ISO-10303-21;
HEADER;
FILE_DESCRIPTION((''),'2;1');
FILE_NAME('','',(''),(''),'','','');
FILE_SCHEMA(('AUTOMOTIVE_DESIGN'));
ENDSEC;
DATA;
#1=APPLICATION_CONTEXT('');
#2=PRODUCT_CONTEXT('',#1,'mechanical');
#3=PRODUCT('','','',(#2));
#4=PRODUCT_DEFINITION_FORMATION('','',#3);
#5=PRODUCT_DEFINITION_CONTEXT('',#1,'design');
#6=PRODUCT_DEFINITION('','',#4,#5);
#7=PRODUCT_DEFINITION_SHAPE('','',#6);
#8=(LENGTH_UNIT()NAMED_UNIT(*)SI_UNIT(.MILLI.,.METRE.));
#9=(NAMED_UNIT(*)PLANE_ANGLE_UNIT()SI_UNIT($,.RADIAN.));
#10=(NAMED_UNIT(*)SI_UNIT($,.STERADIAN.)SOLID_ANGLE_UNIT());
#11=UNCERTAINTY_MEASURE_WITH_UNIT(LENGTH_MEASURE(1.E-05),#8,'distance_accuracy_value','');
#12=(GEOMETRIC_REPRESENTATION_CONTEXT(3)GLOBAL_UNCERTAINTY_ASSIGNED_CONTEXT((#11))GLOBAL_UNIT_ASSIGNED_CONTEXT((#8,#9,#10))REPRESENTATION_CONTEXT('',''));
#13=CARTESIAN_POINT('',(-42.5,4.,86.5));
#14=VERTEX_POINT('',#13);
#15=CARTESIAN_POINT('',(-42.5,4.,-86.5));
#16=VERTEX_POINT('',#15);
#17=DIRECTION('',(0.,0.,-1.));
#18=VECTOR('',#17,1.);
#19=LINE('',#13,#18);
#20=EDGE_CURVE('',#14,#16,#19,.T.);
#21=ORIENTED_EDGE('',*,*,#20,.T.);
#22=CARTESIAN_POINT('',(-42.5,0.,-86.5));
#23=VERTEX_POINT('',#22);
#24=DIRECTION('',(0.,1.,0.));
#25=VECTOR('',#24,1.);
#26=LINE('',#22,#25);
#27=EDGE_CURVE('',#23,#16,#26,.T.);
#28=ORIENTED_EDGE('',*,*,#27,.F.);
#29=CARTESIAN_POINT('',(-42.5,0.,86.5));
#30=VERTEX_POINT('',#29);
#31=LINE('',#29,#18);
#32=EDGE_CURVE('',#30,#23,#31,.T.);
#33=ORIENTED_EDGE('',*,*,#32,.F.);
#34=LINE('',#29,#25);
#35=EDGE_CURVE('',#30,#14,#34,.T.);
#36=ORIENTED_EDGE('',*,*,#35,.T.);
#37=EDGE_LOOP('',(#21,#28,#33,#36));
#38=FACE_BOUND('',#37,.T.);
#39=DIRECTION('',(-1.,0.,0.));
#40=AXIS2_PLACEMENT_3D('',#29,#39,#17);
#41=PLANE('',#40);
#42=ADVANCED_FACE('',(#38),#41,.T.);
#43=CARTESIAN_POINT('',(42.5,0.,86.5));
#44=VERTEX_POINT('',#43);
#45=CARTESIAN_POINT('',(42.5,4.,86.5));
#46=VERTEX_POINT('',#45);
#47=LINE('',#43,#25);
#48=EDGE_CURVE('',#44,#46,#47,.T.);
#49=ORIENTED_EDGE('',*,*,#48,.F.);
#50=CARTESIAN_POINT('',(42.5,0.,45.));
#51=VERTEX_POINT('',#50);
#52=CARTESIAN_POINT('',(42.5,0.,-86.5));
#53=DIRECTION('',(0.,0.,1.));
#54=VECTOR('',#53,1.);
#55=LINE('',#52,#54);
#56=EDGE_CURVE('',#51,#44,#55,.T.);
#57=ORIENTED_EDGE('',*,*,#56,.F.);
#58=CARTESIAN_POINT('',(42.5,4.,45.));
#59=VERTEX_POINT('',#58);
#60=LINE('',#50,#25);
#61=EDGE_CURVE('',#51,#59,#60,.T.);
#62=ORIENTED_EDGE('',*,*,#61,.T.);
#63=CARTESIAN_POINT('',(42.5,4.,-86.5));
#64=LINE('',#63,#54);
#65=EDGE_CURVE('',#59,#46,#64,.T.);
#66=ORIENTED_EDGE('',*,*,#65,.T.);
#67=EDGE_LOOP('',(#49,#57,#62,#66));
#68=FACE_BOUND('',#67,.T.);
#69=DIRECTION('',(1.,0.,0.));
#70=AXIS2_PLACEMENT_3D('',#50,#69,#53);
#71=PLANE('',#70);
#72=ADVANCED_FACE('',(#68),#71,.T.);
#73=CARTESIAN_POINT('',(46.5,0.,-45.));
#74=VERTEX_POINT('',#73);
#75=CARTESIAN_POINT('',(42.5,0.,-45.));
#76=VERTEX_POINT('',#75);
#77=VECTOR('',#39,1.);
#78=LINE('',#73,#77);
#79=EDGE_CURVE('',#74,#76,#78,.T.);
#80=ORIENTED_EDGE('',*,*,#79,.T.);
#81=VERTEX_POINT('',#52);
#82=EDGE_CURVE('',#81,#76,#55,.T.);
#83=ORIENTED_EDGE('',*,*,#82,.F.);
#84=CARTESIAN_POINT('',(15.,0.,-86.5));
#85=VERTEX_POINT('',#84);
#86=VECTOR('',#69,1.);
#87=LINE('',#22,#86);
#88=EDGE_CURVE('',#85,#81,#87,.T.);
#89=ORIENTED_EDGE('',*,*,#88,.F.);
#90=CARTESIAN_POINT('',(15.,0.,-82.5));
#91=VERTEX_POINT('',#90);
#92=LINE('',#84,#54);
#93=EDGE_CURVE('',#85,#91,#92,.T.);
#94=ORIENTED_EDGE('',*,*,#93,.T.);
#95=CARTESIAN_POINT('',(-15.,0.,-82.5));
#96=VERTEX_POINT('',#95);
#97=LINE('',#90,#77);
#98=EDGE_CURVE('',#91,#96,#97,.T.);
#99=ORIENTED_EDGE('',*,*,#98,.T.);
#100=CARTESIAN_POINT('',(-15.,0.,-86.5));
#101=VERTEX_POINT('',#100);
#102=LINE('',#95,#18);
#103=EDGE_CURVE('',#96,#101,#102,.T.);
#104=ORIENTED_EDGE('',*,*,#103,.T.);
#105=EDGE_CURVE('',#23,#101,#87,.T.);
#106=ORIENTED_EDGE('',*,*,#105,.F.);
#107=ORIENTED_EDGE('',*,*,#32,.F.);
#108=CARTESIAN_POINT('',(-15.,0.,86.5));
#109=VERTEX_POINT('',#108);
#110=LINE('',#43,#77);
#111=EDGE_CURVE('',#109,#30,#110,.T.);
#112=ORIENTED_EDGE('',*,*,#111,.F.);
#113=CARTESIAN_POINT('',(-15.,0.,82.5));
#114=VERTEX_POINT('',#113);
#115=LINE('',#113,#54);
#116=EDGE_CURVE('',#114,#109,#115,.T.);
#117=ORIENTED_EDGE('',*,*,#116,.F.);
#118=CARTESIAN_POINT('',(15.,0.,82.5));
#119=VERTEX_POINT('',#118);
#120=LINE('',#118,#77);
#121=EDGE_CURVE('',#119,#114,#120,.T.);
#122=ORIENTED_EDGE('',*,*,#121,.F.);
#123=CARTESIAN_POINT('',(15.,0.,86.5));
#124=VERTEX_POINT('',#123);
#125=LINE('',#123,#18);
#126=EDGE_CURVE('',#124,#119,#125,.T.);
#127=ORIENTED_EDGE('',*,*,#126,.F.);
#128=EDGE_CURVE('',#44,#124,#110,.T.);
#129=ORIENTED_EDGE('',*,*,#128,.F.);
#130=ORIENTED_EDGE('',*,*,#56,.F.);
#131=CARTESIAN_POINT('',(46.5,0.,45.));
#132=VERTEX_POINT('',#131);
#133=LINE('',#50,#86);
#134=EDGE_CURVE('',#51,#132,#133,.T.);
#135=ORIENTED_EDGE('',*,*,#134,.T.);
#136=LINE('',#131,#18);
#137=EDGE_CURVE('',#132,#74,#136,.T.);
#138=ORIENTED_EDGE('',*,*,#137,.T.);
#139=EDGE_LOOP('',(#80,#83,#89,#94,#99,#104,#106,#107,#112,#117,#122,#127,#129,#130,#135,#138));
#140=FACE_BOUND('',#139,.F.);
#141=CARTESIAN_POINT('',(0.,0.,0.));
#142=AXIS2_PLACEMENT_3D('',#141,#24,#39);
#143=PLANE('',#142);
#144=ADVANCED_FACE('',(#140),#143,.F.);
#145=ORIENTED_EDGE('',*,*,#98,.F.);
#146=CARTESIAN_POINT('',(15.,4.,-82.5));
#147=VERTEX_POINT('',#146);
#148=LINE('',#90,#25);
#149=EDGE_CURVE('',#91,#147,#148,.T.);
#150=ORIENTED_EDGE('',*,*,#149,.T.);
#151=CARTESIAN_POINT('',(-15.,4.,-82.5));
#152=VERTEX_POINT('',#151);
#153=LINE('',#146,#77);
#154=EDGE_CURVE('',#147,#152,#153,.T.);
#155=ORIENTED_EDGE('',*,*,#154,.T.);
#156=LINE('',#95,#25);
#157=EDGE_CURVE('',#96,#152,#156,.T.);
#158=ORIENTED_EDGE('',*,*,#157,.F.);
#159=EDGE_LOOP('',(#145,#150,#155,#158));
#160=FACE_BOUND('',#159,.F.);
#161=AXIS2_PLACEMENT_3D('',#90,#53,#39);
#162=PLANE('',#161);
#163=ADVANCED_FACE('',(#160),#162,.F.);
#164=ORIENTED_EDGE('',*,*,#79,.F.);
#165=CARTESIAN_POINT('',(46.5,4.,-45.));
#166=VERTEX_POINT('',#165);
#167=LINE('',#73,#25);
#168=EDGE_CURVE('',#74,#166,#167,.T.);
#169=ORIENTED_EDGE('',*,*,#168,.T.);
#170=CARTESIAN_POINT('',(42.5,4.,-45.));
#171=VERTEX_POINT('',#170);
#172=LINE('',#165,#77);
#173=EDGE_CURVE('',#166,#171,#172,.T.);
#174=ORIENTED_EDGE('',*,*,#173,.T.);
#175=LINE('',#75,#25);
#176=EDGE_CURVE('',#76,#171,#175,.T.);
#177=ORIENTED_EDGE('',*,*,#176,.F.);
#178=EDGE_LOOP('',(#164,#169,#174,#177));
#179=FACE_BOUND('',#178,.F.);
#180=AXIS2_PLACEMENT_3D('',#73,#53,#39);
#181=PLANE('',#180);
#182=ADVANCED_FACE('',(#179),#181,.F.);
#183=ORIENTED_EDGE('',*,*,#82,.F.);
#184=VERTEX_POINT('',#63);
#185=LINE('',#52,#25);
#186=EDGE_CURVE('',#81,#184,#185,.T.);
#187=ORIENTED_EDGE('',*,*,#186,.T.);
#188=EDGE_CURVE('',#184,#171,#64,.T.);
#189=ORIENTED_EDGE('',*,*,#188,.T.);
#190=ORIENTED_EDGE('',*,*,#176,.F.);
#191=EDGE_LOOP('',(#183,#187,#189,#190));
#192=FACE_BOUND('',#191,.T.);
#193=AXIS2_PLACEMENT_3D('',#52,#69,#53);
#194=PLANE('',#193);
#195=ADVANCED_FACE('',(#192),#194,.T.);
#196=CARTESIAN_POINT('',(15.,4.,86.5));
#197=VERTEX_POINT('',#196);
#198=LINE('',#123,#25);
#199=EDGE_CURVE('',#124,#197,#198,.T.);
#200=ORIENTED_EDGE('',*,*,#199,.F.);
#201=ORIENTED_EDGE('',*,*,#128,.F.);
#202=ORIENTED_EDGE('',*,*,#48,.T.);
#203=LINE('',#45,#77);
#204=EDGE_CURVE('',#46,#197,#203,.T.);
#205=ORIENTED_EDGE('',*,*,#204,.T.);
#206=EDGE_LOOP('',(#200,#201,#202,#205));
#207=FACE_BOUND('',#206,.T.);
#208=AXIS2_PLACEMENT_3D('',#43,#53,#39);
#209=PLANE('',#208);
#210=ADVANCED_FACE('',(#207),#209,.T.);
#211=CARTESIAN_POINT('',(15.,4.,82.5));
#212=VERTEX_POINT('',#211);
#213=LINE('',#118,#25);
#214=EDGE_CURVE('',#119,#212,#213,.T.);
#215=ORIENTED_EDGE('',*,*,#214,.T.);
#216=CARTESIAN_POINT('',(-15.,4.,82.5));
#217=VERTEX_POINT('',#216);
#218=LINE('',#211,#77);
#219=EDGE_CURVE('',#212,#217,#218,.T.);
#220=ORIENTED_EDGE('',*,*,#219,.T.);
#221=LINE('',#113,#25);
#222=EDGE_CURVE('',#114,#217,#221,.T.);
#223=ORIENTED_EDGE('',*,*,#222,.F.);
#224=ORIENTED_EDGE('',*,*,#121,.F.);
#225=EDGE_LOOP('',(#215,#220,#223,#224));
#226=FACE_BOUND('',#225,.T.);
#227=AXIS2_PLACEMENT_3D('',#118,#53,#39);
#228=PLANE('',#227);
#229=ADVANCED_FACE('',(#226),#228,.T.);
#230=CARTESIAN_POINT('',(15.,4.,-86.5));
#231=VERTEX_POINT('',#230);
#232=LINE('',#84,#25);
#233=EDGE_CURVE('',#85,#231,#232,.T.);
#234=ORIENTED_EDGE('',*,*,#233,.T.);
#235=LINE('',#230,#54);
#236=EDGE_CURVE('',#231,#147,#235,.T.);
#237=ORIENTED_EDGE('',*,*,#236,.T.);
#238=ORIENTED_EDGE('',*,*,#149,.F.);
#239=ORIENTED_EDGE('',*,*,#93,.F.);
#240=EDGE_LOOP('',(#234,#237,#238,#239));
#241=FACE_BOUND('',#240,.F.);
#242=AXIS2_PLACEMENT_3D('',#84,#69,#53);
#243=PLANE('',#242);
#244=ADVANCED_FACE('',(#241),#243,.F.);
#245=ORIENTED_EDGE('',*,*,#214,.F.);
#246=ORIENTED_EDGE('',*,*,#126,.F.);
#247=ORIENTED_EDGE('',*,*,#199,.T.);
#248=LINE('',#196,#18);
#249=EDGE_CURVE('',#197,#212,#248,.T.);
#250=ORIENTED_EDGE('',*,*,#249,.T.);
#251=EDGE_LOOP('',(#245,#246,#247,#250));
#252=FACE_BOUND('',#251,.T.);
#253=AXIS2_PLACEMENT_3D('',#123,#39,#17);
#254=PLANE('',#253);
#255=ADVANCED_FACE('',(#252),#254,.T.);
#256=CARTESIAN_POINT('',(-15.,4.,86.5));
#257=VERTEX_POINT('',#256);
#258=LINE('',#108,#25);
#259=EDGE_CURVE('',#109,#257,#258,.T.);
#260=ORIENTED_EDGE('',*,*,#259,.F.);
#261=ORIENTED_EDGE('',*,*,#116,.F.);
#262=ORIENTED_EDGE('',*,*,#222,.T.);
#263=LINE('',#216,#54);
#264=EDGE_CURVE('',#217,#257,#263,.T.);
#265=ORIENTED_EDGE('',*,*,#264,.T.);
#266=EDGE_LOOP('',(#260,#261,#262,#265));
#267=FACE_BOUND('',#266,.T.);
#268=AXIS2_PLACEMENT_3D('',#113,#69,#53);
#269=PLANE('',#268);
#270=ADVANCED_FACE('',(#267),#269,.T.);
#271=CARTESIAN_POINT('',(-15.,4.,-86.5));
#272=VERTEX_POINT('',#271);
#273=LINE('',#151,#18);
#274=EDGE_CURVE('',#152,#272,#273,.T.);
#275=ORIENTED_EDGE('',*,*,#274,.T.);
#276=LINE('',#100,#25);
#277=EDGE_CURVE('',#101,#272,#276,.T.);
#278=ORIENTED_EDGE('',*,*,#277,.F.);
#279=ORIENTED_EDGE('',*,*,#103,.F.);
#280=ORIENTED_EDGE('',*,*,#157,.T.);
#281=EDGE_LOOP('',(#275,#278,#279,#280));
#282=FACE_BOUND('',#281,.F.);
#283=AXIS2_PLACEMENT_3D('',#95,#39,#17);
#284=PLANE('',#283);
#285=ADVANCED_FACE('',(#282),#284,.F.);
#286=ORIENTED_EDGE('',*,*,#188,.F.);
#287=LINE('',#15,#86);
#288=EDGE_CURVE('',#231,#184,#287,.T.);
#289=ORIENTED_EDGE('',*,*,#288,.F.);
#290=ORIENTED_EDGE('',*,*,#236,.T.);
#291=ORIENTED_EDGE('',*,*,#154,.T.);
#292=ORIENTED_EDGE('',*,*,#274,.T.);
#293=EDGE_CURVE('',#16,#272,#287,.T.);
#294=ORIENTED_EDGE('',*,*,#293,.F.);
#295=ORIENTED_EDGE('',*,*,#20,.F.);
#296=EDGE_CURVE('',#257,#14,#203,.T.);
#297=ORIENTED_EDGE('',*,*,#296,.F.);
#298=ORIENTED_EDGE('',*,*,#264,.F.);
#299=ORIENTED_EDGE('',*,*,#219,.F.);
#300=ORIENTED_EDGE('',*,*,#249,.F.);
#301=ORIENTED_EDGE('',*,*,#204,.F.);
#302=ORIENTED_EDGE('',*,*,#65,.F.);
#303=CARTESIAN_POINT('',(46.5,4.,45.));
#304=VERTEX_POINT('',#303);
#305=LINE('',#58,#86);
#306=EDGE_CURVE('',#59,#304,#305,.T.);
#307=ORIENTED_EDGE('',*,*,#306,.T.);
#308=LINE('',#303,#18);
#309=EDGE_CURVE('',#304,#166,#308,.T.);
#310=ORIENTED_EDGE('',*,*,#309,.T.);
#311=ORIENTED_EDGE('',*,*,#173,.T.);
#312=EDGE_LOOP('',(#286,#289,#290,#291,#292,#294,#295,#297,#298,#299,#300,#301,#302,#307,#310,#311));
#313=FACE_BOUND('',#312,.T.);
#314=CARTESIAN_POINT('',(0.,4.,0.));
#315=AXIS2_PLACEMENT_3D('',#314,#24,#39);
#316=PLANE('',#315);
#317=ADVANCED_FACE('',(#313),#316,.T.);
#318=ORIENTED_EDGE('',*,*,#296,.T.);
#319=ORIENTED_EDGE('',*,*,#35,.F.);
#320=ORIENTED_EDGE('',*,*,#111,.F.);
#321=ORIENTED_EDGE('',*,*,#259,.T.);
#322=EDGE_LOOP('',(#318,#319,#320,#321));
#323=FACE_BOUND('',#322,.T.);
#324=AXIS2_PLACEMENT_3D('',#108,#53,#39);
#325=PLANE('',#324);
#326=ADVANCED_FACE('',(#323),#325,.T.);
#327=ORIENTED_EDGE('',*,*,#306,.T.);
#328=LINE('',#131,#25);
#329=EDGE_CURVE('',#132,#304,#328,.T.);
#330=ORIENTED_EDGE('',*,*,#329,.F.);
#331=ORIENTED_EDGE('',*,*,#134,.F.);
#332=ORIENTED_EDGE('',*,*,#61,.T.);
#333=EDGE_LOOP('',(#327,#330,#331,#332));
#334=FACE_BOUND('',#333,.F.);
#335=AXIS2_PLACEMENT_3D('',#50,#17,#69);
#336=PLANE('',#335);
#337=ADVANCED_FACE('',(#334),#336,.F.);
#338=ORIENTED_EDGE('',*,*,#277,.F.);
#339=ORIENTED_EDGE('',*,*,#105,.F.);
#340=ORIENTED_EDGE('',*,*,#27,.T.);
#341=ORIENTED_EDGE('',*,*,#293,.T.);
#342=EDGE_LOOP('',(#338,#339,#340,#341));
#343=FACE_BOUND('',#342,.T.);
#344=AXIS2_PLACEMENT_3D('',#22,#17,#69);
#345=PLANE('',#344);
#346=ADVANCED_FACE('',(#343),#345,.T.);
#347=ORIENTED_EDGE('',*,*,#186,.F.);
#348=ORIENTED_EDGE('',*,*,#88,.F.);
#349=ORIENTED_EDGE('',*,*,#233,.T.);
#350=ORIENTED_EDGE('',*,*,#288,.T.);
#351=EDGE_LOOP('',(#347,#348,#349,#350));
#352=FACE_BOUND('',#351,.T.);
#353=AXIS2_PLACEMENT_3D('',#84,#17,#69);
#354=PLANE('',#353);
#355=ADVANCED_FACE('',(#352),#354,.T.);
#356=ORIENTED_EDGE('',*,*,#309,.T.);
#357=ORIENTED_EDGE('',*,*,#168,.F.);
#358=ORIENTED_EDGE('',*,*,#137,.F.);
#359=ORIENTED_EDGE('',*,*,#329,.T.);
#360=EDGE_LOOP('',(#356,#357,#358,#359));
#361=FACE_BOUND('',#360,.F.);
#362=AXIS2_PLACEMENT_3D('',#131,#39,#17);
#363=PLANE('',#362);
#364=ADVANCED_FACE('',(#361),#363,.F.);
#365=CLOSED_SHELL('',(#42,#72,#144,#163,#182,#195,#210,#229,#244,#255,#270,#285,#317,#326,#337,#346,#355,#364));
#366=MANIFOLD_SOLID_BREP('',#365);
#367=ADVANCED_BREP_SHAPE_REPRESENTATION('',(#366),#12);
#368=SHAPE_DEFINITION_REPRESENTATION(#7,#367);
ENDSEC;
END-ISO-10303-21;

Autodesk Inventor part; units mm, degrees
ref_plane "YZ Plane" through (0, 0, 0) normal (1, 0, 0) x (0, 1, 0)
ref_plane "XZ Plane" through (0, 0, 0) normal (0, 1, 0) x (-1, 0, 0)
ref_plane "XY Plane" through (0, 0, 0) normal (0, 0, 1) x (1, 0, 0)
sketch "Эскиз1" plane through (0, 0, 0) normal (0, 1, 0) x (-1, 0, 0)
  line L0 (-42.5, 86.5) -> (42.5, 86.5)
  line L1 (42.5, 86.5) -> (42.5, -86.5)
  line L2 (42.5, -86.5) -> (-42.5, -86.5)
  line L3 (-42.5, -86.5) -> (-42.5, 86.5)
  line L4 (-42.5, 86.5) -> (42.5, -86.5) construction
  line L5 (42.5, 86.5) -> (-42.5, -86.5) construction
  line L6 (0, 0) -> (-44.5, 0) construction
  line L7 (-42.5, 45) -> (-46.5, 45)
  line L8 (-46.5, 45) -> (-46.5, -45)
  line L9 (-46.5, -45) -> (-42.5, -45)
  line L10 (-42.5, -45) -> (-42.5, 45)
  line L11 (-42.5, 45) -> (-46.5, -45) construction
  line L12 (-46.5, 45) -> (-42.5, -45) construction
  line L13 (-15, 82.5) -> (15, 82.5)
  line L14 (15, 82.5) -> (15, 86.5)
  line L15 (15, 86.5) -> (-15, 86.5)
  line L16 (-15, 86.5) -> (-15, 82.5)
  line L17 (-15, 82.5) -> (15, 86.5) construction
  line L18 (15, 82.5) -> (-15, 86.5) construction
  line L19 (0, -206.2504) -> (0, 0) construction
  line L20 (-15, -82.5) -> (15, -82.5)
  line L21 (15, -82.5) -> (15, -86.5)
  line L22 (-15, -86.5) -> (-15, -82.5)
  line L23 (15, -86.5) -> (-15, -86.5)
  point P0 (0, 0)
  point P1 (0, 0)
  point P2 (-10, -165.5)
  point P3 (-10, -255.5)
  point P4 (-44.5, 0)
  point P5 (-10, -45)
  point P6 (-10, 45)
  point P7 (0, 84.5)
  point P8 (-5, -342)
  point P9 (5, -342)
  point P10 (5, 342)
  point P11 (-5, 342)
  point P12 (0, 0)
  point P13 (5, 131)
  point P14 (-5, 131)
  point P15 (-10, 45)
  point P16 (-10, -45)
  point P17 (-5, -131)
  point P18 (5, -131)
  point P19 (0, 0)
  point P20 (-42.5, 45)
  dimension "d0" = 173
  dimension "d1" = 85
  dimension "d2" = 90
  dimension "d3" = 4
  dimension "d4" = 4
  dimension "d5" = 30
extrude "Выдавливание1" add sketch "Эскиз1" along normal blind 4 contours L0 L16 L13 L14 L1 L2 L21 L20 L22 L3 | L3 L9 L8 L7
properties part number "стенка 4"
